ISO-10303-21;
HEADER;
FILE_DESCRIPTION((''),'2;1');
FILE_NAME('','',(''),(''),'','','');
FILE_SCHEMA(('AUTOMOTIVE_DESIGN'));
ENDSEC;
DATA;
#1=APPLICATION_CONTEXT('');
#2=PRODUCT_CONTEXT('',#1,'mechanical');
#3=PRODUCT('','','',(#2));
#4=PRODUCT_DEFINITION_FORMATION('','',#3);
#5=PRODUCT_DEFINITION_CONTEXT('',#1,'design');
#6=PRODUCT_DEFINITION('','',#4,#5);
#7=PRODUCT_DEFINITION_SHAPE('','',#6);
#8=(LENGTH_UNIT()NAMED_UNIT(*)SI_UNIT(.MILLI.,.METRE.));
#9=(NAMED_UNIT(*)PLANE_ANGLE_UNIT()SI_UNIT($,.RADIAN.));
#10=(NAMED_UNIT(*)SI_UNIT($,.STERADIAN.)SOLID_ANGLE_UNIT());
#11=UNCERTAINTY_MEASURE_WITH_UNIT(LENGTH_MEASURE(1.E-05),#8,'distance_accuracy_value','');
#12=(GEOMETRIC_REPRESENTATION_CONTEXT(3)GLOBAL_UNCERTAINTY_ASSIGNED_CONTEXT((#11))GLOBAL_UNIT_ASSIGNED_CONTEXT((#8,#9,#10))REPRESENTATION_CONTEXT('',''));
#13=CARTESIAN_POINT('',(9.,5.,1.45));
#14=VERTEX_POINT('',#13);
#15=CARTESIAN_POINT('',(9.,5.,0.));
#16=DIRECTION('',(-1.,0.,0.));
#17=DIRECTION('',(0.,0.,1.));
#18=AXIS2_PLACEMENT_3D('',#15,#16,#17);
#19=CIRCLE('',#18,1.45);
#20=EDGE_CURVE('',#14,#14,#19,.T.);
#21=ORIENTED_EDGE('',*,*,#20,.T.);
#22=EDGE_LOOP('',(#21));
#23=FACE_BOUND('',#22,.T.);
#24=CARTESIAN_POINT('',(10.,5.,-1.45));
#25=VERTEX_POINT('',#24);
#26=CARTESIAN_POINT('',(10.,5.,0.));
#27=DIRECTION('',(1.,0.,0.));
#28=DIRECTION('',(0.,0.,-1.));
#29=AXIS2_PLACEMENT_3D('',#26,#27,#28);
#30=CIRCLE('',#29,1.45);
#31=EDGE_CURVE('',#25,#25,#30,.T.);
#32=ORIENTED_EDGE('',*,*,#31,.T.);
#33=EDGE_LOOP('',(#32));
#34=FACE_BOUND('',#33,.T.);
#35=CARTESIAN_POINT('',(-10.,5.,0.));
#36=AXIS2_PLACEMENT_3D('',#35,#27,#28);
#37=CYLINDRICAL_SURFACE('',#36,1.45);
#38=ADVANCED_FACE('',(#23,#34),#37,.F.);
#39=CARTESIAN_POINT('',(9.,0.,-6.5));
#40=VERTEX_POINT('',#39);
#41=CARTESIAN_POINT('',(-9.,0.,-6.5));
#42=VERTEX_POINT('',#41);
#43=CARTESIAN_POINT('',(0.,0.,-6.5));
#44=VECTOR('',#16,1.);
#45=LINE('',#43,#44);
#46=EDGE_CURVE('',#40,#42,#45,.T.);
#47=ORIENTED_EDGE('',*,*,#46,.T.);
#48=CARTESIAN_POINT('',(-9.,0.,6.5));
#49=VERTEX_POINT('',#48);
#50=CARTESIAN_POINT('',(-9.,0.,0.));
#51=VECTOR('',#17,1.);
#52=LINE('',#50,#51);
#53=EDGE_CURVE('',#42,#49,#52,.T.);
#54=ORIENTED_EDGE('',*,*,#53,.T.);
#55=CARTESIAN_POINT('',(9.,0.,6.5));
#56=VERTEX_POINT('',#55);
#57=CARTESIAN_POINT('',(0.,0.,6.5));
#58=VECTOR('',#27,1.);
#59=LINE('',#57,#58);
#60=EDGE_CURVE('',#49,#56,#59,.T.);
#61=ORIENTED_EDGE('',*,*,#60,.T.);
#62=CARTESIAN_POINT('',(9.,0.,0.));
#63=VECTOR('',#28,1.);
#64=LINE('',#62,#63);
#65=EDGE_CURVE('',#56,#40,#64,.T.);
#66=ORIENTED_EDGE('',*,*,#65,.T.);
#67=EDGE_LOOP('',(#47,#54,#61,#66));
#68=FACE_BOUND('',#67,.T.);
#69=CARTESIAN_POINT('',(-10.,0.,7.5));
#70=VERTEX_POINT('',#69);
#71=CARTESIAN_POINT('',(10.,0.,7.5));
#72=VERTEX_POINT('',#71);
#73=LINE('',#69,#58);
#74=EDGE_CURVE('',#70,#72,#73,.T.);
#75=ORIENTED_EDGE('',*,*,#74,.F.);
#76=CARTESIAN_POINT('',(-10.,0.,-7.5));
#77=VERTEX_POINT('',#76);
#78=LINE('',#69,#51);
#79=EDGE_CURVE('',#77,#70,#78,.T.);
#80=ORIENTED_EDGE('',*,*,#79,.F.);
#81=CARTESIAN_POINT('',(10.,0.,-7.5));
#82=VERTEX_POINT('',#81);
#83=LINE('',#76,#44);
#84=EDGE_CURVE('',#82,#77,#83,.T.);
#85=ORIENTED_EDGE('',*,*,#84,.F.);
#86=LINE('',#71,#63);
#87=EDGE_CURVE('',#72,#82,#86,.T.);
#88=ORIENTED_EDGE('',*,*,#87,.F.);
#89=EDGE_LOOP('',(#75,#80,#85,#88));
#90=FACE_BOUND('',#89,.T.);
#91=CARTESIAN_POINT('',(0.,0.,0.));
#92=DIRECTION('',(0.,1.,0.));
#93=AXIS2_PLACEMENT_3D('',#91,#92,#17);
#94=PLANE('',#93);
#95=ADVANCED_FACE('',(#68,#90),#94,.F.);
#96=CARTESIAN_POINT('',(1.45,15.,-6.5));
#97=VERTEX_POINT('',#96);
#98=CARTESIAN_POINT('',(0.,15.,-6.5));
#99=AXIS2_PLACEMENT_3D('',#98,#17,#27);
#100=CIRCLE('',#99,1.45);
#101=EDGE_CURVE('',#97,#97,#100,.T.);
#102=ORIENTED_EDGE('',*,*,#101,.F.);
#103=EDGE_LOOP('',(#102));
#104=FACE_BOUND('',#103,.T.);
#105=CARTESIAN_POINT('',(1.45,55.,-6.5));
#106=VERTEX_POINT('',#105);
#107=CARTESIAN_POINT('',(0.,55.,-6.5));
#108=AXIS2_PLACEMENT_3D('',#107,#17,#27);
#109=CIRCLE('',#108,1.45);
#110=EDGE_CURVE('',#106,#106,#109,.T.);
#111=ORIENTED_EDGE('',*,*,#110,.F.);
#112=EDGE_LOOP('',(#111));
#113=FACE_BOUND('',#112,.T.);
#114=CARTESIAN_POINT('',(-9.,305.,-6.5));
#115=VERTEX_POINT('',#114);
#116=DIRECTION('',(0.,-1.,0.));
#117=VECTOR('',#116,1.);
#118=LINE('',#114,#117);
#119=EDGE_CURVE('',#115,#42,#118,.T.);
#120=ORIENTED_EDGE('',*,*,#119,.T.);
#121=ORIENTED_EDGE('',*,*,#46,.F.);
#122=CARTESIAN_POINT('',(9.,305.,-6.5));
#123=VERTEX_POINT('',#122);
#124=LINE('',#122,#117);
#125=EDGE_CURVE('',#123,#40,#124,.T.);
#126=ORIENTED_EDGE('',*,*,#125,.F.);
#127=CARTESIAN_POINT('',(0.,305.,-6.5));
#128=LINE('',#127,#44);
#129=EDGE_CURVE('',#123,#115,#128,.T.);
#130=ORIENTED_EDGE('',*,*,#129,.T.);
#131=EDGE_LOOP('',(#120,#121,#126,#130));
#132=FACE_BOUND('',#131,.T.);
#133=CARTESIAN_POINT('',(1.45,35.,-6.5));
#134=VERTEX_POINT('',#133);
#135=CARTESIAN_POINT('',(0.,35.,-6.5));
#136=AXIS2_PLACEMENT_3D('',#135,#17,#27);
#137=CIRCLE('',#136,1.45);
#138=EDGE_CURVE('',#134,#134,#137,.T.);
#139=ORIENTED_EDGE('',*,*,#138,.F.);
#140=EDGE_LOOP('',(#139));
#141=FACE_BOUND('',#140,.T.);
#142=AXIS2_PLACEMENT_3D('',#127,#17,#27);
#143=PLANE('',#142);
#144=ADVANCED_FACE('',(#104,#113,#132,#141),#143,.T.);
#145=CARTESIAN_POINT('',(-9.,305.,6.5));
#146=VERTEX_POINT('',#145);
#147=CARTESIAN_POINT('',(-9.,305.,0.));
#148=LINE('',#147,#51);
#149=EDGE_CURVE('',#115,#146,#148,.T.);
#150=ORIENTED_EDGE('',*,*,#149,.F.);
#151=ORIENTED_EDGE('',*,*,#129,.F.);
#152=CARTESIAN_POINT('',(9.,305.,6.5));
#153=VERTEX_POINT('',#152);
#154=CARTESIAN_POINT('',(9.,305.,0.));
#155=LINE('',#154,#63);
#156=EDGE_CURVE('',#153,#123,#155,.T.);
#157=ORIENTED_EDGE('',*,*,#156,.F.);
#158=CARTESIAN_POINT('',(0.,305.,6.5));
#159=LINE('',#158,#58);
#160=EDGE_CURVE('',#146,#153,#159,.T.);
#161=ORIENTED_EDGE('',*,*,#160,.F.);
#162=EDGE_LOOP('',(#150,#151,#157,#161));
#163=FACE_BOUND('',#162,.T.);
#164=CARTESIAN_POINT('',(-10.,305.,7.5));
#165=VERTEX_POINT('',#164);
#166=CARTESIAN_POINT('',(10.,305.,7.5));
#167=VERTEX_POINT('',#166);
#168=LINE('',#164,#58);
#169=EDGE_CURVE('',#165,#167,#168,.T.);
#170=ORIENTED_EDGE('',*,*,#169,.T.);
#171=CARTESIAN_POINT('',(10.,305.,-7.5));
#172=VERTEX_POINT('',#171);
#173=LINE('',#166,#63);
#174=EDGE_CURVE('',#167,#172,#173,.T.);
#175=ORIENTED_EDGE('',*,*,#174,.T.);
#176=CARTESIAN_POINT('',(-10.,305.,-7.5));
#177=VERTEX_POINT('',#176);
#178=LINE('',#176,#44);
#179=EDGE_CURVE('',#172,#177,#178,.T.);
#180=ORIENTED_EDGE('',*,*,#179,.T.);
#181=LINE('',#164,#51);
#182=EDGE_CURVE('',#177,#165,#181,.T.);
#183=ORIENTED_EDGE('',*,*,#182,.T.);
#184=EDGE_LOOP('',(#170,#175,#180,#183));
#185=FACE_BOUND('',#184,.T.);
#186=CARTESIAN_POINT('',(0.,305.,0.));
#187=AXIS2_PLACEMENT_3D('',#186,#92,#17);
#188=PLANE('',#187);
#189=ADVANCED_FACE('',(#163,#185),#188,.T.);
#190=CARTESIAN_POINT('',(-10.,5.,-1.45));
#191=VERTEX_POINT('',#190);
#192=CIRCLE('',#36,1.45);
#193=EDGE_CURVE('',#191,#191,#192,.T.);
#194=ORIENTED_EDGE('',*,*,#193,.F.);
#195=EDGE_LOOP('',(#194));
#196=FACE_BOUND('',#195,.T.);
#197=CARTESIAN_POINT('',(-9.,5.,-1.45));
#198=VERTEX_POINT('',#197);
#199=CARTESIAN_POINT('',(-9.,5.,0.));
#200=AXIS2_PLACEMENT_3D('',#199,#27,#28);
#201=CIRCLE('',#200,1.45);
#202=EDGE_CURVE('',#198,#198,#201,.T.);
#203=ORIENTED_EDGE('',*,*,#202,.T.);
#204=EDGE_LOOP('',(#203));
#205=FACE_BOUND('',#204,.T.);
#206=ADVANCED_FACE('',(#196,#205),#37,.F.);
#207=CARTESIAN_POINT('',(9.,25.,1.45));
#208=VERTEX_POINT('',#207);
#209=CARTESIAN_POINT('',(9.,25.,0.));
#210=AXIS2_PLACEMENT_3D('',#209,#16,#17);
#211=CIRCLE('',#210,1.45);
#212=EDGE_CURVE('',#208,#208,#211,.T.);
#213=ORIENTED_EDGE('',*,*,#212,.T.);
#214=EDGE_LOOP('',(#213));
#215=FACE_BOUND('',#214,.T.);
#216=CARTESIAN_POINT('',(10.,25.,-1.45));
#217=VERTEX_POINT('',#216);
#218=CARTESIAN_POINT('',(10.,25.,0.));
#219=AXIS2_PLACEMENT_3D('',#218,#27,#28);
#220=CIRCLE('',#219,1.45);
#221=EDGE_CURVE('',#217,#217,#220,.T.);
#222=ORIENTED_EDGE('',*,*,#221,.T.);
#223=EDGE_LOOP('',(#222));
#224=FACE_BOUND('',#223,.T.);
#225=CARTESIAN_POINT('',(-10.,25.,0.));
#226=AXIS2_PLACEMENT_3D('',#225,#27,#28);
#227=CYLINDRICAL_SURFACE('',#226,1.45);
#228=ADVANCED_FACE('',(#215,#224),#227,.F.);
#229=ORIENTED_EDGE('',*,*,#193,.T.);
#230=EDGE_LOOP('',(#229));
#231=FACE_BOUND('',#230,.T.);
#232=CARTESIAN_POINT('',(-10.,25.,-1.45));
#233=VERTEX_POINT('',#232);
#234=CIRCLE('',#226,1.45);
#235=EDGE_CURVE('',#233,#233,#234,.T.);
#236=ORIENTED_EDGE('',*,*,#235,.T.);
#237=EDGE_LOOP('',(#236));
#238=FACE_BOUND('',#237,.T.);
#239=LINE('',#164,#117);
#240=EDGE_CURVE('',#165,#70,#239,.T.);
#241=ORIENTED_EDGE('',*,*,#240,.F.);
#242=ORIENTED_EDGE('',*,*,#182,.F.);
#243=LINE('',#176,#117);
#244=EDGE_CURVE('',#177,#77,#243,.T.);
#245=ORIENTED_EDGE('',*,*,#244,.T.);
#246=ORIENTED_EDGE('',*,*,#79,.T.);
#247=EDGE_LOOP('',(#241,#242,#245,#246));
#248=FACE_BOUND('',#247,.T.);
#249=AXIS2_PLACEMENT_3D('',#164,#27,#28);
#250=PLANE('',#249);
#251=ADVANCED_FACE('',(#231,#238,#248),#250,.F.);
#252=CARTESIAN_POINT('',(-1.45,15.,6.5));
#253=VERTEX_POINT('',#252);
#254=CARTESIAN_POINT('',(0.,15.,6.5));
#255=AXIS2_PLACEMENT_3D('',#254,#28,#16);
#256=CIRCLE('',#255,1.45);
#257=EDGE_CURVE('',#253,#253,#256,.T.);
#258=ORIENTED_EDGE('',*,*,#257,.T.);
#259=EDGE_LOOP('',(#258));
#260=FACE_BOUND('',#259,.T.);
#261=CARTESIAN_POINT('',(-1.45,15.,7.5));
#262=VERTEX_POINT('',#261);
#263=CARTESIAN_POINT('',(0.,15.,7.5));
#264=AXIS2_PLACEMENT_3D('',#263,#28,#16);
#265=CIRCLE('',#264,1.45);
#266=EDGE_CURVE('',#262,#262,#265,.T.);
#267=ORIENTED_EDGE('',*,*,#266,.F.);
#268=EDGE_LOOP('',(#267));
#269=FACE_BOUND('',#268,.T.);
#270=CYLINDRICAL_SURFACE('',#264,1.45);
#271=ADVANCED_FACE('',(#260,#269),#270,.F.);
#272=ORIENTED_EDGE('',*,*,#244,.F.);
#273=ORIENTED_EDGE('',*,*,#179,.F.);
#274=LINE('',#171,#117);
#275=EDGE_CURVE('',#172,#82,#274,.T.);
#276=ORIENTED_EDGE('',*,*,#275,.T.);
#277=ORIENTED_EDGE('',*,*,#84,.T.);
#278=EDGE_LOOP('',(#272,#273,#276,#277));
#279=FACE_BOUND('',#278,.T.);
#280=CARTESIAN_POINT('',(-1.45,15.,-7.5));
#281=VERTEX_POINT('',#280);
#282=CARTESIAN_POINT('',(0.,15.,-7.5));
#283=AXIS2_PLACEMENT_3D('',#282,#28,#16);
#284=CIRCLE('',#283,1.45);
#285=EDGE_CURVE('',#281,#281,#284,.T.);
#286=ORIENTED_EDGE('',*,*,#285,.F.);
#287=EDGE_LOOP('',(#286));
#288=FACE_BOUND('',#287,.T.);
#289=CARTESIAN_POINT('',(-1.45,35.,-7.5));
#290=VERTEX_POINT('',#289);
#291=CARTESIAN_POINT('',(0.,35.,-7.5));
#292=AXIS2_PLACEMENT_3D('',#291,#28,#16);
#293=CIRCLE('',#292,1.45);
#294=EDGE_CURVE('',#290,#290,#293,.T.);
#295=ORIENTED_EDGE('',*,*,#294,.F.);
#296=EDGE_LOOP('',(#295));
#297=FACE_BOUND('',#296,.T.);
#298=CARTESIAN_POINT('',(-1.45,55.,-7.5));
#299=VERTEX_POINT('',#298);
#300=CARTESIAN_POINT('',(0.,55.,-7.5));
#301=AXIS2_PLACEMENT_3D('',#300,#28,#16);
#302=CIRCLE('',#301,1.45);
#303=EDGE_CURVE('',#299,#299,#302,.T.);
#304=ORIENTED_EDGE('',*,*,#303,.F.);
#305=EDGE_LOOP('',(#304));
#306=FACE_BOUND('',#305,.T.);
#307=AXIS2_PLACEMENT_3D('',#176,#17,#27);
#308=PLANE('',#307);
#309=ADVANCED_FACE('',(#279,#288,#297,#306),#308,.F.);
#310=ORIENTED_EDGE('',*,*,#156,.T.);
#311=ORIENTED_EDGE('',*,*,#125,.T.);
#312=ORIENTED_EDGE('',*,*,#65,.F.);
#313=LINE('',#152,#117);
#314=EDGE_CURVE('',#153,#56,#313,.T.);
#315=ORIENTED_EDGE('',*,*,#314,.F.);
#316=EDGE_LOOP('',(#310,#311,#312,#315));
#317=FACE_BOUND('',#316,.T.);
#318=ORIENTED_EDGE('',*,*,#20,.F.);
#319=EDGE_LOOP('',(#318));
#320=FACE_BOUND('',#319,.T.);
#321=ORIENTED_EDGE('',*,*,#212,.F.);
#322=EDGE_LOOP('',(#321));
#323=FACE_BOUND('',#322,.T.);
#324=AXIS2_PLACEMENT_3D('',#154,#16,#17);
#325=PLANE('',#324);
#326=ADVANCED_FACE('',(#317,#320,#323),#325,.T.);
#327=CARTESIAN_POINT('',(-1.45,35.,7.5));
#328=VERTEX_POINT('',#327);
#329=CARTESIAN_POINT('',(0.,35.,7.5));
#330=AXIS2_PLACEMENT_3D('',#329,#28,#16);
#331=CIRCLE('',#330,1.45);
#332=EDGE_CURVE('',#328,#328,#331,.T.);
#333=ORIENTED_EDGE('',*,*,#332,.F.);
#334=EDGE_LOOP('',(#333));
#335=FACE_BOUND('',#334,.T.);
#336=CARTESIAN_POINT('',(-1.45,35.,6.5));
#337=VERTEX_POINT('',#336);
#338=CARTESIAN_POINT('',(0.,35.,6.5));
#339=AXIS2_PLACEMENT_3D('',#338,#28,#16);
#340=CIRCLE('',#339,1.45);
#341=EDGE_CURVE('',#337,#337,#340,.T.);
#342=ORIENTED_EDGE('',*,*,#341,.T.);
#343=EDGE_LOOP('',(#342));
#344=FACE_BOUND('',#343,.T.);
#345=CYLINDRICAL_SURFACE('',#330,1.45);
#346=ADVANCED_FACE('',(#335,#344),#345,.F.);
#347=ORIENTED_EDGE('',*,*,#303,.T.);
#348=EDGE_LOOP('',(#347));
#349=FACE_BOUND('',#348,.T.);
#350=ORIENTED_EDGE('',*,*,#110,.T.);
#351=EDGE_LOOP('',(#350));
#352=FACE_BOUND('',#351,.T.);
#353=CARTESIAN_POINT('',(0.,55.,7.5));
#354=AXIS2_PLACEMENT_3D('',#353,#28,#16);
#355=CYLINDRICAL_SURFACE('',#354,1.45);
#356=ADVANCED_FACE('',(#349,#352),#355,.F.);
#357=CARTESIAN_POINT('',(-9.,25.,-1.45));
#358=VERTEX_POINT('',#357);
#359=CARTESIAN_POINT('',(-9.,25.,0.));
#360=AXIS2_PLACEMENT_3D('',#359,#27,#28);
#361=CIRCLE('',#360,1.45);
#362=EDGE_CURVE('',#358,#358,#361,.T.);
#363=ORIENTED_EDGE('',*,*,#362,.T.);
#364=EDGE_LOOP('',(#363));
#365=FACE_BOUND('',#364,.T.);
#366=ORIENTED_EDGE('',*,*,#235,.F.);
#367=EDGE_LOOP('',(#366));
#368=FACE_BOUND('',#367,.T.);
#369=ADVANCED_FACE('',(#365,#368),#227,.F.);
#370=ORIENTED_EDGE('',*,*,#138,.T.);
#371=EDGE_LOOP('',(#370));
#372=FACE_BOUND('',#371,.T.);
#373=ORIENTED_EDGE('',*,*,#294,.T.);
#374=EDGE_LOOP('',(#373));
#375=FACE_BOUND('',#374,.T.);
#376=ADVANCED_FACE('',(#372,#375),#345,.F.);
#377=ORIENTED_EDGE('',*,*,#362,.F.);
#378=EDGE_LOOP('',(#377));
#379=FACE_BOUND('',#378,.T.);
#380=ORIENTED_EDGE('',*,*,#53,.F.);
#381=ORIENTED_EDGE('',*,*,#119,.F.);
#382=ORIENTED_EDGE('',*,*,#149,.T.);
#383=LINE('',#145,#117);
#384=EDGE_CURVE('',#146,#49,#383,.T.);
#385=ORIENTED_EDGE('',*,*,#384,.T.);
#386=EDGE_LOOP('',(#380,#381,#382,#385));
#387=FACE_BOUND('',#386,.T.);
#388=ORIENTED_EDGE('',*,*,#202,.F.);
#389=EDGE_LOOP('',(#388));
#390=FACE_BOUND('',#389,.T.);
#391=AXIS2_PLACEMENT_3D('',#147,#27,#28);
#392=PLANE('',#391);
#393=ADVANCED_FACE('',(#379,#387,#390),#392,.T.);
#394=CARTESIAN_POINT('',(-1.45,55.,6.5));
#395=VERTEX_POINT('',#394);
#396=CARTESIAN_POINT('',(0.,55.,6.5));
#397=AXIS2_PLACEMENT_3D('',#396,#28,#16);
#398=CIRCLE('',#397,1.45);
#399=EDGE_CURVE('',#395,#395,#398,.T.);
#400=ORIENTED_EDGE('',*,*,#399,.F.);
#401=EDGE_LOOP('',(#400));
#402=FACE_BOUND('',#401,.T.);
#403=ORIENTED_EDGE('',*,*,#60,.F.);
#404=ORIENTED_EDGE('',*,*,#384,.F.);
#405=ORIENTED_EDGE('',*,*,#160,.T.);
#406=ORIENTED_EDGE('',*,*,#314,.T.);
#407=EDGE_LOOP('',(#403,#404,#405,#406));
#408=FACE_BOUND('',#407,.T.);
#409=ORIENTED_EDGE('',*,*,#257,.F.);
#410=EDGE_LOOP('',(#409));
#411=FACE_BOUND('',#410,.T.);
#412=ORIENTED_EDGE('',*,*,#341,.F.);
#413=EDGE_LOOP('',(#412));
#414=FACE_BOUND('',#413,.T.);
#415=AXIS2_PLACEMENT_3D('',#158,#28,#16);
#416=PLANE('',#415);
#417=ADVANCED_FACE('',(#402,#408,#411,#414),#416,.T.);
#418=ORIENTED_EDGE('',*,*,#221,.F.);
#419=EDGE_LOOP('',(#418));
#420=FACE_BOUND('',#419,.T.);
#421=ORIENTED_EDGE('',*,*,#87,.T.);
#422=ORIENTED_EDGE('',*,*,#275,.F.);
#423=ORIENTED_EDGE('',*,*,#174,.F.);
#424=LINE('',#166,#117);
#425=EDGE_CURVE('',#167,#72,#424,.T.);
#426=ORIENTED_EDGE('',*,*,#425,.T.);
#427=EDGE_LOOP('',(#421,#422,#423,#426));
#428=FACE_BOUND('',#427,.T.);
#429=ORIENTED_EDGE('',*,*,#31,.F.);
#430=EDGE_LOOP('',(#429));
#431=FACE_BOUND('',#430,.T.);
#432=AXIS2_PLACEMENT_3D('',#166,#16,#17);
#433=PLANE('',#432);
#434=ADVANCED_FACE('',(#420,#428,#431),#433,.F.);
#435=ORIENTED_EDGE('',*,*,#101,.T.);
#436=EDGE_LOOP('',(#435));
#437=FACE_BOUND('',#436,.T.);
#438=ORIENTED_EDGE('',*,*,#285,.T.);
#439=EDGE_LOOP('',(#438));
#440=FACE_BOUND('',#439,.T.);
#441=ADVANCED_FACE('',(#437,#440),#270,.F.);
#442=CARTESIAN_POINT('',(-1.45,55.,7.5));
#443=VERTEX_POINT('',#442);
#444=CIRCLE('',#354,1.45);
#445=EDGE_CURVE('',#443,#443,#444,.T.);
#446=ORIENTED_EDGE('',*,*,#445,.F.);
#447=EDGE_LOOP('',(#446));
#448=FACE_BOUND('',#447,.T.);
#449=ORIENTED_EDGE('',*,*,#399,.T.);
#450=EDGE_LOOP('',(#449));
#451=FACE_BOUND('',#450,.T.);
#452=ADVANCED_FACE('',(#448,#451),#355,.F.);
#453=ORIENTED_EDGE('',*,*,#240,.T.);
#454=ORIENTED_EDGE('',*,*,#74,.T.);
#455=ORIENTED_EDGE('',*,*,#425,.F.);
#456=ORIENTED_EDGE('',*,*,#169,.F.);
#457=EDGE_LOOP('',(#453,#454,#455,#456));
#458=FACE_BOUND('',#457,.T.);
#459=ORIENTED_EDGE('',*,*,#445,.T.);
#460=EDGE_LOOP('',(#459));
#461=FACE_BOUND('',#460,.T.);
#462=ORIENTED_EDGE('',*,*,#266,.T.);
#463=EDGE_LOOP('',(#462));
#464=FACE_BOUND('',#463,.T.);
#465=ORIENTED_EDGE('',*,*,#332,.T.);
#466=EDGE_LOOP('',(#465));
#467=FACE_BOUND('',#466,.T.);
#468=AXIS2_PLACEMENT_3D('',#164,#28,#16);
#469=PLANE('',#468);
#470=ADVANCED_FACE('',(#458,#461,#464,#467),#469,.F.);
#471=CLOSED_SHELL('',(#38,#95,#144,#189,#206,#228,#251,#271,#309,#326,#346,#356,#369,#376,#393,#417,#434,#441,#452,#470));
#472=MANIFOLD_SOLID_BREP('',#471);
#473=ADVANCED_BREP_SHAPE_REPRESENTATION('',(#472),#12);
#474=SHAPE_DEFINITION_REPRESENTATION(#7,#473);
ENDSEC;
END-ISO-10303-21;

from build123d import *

# Parameters (mm, degrees)
SKETCH_1_W          = 20
SKETCH_1_H          = 15
SKETCH_1_W_2        = 18
SKETCH_1_H_2        = 13
EXTRUDE_1_DEPTH     = 305
SKETCH_2_R          = 1.45
CUT_EXTRUDE_1_DEPTH = 306.747035963
SKETCH_3_R          = 1.45
CUT_EXTRUDE_2_DEPTH = 306.532322349


with BuildPart() as part:
    # 草图1 → 拉伸-薄壁1 (new body)
    with BuildSketch(Plane(origin=(0, 0, 0), x_dir=(1, 0, 0), z_dir=(0, 1, 0))):
        Rectangle(SKETCH_1_W, SKETCH_1_H)
        Rectangle(SKETCH_1_W_2, SKETCH_1_H_2, mode=Mode.SUBTRACT)
    extrude(amount=EXTRUDE_1_DEPTH)

    # 草图2 → 切除-拉伸1 (cut, through all)
    with BuildSketch(Plane(origin=(10, 0, 0), x_dir=(0, 0, -1), z_dir=(1, 0, 0))):
        with Locations((0, 5)):
            Circle(SKETCH_2_R)
        with Locations((0, 25)):
            Circle(SKETCH_2_R)
    extrude(amount=-CUT_EXTRUDE_1_DEPTH, mode=Mode.SUBTRACT)

    # 草图3 → 切除-拉伸2 (cut, through all)
    with BuildSketch(Plane(origin=(0, 0, -7.5), x_dir=(-1, 0, 0), z_dir=(0, 0, -1))):
        with Locations((0, 15)):
            Circle(SKETCH_3_R)
        with Locations((0, 35)):
            Circle(SKETCH_3_R)
        with Locations((0, 55)):
            Circle(SKETCH_3_R)
    extrude(amount=-CUT_EXTRUDE_2_DEPTH, mode=Mode.SUBTRACT)


solid = part.part
